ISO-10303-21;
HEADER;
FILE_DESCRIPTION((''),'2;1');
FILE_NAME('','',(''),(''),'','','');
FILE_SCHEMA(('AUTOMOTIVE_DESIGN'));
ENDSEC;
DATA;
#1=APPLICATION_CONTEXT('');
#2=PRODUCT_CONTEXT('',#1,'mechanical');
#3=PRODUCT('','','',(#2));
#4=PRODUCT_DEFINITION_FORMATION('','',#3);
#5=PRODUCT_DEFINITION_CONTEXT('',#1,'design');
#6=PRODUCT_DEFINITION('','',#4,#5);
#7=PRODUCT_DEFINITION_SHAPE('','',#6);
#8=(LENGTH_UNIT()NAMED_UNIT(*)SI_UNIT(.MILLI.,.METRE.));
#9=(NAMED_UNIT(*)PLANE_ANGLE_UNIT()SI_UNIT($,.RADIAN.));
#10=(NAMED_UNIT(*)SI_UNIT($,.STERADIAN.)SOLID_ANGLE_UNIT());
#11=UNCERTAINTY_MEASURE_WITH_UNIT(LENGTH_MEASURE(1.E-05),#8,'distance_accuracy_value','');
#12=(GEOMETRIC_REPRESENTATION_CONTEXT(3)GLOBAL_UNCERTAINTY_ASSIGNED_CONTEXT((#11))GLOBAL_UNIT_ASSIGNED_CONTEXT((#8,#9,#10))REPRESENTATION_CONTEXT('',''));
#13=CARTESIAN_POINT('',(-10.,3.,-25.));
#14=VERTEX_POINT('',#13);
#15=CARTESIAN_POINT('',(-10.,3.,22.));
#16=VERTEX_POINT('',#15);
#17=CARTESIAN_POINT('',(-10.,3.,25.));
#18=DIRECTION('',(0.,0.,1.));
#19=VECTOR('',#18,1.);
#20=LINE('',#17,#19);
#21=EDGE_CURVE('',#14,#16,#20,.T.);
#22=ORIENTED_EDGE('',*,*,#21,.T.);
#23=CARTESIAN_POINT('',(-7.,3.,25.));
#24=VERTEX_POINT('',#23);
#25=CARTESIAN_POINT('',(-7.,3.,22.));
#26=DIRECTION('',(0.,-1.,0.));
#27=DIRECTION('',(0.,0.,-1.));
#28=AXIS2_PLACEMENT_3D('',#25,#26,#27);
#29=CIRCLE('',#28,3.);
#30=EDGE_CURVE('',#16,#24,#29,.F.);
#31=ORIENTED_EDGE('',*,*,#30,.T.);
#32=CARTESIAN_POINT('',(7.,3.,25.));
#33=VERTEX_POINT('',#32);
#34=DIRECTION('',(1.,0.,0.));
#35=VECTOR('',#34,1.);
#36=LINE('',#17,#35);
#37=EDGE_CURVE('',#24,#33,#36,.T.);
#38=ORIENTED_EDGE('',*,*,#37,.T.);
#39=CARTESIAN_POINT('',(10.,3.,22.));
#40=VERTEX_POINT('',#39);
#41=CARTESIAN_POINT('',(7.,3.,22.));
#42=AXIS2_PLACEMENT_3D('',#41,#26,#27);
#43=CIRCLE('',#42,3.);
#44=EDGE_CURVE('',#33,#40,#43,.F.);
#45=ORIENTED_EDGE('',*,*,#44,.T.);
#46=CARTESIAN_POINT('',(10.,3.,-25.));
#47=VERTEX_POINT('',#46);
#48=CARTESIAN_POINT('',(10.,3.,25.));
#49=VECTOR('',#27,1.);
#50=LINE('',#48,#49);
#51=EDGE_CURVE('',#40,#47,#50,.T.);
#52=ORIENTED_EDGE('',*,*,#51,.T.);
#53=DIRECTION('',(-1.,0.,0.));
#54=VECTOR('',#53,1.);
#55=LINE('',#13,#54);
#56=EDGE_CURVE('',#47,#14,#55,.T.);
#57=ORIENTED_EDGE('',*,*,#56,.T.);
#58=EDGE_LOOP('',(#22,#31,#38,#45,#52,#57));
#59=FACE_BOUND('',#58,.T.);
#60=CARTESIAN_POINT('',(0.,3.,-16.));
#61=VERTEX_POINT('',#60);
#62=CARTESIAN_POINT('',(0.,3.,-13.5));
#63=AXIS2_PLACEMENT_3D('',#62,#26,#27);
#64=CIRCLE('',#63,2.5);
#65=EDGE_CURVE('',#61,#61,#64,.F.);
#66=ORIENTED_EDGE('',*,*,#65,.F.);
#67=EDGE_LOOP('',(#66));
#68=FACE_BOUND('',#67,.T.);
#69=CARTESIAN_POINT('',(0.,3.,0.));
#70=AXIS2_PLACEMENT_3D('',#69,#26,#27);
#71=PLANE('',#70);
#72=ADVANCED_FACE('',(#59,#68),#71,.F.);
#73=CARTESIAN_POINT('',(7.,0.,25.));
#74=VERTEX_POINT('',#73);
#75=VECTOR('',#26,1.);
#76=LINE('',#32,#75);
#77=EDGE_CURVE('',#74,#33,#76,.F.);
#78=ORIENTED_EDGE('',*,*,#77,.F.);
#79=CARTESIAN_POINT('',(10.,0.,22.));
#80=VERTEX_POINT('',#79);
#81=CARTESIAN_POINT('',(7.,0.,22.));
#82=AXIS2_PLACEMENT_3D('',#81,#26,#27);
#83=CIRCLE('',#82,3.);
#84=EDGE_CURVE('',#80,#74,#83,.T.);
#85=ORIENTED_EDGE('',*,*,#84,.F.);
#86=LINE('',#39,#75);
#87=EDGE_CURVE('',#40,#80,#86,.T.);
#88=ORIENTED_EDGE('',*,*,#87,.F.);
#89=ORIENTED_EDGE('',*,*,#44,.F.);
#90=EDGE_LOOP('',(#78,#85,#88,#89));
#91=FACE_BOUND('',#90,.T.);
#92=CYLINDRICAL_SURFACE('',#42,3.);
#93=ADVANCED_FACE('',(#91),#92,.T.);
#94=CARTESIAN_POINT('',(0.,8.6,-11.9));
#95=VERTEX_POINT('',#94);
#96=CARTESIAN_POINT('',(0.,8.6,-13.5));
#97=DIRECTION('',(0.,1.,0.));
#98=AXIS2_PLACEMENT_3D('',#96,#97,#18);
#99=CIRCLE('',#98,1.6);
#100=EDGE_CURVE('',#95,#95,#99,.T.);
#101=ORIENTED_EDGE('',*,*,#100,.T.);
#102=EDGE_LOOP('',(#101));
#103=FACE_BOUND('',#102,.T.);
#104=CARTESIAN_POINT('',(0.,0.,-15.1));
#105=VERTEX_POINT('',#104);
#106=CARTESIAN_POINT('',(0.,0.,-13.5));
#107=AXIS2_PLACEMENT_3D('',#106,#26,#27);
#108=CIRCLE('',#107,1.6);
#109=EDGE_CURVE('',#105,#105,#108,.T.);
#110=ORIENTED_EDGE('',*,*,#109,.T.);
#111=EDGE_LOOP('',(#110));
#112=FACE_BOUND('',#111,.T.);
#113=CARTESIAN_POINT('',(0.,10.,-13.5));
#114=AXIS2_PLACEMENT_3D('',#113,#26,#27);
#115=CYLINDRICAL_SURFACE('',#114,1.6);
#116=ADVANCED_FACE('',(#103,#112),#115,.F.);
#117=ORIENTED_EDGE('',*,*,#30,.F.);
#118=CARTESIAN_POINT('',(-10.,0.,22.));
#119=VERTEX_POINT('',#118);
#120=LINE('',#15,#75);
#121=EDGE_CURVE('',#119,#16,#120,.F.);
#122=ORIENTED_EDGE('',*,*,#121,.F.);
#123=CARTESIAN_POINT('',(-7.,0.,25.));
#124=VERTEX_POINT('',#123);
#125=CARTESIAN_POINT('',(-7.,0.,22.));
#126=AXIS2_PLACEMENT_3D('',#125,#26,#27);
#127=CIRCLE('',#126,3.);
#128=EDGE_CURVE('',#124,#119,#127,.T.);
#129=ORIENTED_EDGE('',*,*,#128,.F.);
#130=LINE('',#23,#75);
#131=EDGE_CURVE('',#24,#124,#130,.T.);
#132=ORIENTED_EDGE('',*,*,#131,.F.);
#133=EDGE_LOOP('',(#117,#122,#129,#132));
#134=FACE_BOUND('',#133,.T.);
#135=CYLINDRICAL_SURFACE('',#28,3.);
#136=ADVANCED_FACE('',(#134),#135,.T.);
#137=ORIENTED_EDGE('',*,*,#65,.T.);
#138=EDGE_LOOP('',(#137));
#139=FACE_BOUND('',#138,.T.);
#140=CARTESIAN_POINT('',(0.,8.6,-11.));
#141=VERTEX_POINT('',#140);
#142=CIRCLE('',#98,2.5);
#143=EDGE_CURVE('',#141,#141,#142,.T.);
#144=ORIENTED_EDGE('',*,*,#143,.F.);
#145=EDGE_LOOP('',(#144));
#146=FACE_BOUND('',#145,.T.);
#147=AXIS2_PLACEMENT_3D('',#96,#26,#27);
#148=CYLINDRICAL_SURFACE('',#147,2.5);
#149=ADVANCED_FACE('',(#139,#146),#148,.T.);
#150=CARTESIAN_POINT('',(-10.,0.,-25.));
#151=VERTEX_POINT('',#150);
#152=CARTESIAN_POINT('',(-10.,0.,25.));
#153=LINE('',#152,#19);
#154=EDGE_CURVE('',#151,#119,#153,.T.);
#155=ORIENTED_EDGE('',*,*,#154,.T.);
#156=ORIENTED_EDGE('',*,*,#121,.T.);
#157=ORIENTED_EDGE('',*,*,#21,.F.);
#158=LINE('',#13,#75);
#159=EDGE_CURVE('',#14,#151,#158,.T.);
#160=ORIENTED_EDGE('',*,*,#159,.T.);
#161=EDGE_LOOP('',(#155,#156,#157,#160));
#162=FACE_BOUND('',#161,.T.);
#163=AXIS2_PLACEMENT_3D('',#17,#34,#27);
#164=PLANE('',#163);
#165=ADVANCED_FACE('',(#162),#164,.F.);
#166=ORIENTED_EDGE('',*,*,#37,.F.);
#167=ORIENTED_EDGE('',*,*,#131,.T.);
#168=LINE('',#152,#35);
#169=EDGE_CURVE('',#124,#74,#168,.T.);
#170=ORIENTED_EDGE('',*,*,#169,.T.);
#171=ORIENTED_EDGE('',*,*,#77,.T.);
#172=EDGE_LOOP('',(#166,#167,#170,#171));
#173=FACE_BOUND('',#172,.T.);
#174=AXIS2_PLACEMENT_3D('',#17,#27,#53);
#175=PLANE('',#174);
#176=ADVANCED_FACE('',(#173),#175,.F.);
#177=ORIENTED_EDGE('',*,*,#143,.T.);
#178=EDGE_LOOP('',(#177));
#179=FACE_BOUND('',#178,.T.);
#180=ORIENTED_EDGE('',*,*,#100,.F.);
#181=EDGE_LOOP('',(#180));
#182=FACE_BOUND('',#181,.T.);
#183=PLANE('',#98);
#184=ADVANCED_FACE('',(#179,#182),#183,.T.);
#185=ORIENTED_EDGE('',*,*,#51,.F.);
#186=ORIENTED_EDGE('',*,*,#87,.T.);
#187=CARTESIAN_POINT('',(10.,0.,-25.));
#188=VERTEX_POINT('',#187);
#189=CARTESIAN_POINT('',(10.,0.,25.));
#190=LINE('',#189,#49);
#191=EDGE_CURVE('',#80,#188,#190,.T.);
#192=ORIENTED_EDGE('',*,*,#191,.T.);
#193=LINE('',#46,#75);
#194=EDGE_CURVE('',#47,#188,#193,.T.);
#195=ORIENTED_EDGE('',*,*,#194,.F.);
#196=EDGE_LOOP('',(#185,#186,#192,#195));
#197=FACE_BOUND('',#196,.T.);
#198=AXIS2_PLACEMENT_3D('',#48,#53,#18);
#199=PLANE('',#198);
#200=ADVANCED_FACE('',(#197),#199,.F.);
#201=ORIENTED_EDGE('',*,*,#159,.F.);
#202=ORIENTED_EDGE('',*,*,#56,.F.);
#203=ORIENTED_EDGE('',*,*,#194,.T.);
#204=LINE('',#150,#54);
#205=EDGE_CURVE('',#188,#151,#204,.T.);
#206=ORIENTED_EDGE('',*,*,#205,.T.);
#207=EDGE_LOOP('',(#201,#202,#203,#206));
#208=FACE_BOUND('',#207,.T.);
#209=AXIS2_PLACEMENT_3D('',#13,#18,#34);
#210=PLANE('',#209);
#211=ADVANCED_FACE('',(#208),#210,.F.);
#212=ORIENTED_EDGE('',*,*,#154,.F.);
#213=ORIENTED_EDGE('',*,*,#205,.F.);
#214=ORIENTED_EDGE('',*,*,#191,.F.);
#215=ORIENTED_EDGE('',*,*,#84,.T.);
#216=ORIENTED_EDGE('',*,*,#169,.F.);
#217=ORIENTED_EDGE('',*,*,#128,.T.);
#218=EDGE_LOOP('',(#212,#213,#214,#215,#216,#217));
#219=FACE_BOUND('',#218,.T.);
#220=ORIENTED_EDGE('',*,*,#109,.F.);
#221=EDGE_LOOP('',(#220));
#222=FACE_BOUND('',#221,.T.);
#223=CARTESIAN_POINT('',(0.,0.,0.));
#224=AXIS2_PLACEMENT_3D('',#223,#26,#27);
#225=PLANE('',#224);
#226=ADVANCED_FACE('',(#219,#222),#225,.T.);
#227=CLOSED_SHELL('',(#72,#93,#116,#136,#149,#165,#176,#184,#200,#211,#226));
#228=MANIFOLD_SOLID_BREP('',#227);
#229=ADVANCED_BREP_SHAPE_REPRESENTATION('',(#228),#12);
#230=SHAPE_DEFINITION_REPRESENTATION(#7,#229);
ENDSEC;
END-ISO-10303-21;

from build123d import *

# Parameters (mm, degrees)
SKETCH1_W           = 20
SKETCH1_H           = 50
BOSS_EXTRUDE1_DEPTH = 3
SKETCH3_R           = 1.6
CUT_EXTRUDE1_DEPTH  = 10
SKETCH4_R           = 2.5
SKETCH4_R_2         = 1.599999999
BOSS_EXTRUDE4_DEPTH = 5.6
FILLET1_R           = 3


with BuildPart() as part:
    # Sketch1 → Boss-Extrude1 (new body)
    with BuildSketch(Plane(origin=(0, 0, 0), x_dir=(1, 0, 0), z_dir=(0, 1, 0))):
        Rectangle(SKETCH1_W, SKETCH1_H)
    extrude(amount=BOSS_EXTRUDE1_DEPTH)

    # Sketch3 → Cut-Extrude1 (cut)
    with BuildSketch(Plane.XZ):
        with Locations(Location((0, -13.5, 0), (0, 0, 270))):
            Circle(SKETCH3_R)
    extrude(amount=-CUT_EXTRUDE1_DEPTH, mode=Mode.SUBTRACT)

    # Sketch4 → Boss-Extrude4 (add)
    with BuildSketch(Plane(origin=(0, 3, 0), x_dir=(1, 0, 0), z_dir=(0, 1, 0))):
        with Locations(Location((1e-09, 13.5, 0), (0, 0, 90))):
            Circle(SKETCH4_R)
        with Locations(Location((1e-09, 13.5, 0), (0, 0, 90.000000022))):
            Circle(SKETCH4_R_2, mode=Mode.SUBTRACT)
    extrude(amount=BOSS_EXTRUDE4_DEPTH)

    # Fillet1
    fillet1_edges = [part.edges().sort_by_distance(p)[0] for p in [
        (10, 1.5, 25),
        (-10, 1.5, 25),
    ]]
    fillet(fillet1_edges, radius=FILLET1_R)


solid = part.part
